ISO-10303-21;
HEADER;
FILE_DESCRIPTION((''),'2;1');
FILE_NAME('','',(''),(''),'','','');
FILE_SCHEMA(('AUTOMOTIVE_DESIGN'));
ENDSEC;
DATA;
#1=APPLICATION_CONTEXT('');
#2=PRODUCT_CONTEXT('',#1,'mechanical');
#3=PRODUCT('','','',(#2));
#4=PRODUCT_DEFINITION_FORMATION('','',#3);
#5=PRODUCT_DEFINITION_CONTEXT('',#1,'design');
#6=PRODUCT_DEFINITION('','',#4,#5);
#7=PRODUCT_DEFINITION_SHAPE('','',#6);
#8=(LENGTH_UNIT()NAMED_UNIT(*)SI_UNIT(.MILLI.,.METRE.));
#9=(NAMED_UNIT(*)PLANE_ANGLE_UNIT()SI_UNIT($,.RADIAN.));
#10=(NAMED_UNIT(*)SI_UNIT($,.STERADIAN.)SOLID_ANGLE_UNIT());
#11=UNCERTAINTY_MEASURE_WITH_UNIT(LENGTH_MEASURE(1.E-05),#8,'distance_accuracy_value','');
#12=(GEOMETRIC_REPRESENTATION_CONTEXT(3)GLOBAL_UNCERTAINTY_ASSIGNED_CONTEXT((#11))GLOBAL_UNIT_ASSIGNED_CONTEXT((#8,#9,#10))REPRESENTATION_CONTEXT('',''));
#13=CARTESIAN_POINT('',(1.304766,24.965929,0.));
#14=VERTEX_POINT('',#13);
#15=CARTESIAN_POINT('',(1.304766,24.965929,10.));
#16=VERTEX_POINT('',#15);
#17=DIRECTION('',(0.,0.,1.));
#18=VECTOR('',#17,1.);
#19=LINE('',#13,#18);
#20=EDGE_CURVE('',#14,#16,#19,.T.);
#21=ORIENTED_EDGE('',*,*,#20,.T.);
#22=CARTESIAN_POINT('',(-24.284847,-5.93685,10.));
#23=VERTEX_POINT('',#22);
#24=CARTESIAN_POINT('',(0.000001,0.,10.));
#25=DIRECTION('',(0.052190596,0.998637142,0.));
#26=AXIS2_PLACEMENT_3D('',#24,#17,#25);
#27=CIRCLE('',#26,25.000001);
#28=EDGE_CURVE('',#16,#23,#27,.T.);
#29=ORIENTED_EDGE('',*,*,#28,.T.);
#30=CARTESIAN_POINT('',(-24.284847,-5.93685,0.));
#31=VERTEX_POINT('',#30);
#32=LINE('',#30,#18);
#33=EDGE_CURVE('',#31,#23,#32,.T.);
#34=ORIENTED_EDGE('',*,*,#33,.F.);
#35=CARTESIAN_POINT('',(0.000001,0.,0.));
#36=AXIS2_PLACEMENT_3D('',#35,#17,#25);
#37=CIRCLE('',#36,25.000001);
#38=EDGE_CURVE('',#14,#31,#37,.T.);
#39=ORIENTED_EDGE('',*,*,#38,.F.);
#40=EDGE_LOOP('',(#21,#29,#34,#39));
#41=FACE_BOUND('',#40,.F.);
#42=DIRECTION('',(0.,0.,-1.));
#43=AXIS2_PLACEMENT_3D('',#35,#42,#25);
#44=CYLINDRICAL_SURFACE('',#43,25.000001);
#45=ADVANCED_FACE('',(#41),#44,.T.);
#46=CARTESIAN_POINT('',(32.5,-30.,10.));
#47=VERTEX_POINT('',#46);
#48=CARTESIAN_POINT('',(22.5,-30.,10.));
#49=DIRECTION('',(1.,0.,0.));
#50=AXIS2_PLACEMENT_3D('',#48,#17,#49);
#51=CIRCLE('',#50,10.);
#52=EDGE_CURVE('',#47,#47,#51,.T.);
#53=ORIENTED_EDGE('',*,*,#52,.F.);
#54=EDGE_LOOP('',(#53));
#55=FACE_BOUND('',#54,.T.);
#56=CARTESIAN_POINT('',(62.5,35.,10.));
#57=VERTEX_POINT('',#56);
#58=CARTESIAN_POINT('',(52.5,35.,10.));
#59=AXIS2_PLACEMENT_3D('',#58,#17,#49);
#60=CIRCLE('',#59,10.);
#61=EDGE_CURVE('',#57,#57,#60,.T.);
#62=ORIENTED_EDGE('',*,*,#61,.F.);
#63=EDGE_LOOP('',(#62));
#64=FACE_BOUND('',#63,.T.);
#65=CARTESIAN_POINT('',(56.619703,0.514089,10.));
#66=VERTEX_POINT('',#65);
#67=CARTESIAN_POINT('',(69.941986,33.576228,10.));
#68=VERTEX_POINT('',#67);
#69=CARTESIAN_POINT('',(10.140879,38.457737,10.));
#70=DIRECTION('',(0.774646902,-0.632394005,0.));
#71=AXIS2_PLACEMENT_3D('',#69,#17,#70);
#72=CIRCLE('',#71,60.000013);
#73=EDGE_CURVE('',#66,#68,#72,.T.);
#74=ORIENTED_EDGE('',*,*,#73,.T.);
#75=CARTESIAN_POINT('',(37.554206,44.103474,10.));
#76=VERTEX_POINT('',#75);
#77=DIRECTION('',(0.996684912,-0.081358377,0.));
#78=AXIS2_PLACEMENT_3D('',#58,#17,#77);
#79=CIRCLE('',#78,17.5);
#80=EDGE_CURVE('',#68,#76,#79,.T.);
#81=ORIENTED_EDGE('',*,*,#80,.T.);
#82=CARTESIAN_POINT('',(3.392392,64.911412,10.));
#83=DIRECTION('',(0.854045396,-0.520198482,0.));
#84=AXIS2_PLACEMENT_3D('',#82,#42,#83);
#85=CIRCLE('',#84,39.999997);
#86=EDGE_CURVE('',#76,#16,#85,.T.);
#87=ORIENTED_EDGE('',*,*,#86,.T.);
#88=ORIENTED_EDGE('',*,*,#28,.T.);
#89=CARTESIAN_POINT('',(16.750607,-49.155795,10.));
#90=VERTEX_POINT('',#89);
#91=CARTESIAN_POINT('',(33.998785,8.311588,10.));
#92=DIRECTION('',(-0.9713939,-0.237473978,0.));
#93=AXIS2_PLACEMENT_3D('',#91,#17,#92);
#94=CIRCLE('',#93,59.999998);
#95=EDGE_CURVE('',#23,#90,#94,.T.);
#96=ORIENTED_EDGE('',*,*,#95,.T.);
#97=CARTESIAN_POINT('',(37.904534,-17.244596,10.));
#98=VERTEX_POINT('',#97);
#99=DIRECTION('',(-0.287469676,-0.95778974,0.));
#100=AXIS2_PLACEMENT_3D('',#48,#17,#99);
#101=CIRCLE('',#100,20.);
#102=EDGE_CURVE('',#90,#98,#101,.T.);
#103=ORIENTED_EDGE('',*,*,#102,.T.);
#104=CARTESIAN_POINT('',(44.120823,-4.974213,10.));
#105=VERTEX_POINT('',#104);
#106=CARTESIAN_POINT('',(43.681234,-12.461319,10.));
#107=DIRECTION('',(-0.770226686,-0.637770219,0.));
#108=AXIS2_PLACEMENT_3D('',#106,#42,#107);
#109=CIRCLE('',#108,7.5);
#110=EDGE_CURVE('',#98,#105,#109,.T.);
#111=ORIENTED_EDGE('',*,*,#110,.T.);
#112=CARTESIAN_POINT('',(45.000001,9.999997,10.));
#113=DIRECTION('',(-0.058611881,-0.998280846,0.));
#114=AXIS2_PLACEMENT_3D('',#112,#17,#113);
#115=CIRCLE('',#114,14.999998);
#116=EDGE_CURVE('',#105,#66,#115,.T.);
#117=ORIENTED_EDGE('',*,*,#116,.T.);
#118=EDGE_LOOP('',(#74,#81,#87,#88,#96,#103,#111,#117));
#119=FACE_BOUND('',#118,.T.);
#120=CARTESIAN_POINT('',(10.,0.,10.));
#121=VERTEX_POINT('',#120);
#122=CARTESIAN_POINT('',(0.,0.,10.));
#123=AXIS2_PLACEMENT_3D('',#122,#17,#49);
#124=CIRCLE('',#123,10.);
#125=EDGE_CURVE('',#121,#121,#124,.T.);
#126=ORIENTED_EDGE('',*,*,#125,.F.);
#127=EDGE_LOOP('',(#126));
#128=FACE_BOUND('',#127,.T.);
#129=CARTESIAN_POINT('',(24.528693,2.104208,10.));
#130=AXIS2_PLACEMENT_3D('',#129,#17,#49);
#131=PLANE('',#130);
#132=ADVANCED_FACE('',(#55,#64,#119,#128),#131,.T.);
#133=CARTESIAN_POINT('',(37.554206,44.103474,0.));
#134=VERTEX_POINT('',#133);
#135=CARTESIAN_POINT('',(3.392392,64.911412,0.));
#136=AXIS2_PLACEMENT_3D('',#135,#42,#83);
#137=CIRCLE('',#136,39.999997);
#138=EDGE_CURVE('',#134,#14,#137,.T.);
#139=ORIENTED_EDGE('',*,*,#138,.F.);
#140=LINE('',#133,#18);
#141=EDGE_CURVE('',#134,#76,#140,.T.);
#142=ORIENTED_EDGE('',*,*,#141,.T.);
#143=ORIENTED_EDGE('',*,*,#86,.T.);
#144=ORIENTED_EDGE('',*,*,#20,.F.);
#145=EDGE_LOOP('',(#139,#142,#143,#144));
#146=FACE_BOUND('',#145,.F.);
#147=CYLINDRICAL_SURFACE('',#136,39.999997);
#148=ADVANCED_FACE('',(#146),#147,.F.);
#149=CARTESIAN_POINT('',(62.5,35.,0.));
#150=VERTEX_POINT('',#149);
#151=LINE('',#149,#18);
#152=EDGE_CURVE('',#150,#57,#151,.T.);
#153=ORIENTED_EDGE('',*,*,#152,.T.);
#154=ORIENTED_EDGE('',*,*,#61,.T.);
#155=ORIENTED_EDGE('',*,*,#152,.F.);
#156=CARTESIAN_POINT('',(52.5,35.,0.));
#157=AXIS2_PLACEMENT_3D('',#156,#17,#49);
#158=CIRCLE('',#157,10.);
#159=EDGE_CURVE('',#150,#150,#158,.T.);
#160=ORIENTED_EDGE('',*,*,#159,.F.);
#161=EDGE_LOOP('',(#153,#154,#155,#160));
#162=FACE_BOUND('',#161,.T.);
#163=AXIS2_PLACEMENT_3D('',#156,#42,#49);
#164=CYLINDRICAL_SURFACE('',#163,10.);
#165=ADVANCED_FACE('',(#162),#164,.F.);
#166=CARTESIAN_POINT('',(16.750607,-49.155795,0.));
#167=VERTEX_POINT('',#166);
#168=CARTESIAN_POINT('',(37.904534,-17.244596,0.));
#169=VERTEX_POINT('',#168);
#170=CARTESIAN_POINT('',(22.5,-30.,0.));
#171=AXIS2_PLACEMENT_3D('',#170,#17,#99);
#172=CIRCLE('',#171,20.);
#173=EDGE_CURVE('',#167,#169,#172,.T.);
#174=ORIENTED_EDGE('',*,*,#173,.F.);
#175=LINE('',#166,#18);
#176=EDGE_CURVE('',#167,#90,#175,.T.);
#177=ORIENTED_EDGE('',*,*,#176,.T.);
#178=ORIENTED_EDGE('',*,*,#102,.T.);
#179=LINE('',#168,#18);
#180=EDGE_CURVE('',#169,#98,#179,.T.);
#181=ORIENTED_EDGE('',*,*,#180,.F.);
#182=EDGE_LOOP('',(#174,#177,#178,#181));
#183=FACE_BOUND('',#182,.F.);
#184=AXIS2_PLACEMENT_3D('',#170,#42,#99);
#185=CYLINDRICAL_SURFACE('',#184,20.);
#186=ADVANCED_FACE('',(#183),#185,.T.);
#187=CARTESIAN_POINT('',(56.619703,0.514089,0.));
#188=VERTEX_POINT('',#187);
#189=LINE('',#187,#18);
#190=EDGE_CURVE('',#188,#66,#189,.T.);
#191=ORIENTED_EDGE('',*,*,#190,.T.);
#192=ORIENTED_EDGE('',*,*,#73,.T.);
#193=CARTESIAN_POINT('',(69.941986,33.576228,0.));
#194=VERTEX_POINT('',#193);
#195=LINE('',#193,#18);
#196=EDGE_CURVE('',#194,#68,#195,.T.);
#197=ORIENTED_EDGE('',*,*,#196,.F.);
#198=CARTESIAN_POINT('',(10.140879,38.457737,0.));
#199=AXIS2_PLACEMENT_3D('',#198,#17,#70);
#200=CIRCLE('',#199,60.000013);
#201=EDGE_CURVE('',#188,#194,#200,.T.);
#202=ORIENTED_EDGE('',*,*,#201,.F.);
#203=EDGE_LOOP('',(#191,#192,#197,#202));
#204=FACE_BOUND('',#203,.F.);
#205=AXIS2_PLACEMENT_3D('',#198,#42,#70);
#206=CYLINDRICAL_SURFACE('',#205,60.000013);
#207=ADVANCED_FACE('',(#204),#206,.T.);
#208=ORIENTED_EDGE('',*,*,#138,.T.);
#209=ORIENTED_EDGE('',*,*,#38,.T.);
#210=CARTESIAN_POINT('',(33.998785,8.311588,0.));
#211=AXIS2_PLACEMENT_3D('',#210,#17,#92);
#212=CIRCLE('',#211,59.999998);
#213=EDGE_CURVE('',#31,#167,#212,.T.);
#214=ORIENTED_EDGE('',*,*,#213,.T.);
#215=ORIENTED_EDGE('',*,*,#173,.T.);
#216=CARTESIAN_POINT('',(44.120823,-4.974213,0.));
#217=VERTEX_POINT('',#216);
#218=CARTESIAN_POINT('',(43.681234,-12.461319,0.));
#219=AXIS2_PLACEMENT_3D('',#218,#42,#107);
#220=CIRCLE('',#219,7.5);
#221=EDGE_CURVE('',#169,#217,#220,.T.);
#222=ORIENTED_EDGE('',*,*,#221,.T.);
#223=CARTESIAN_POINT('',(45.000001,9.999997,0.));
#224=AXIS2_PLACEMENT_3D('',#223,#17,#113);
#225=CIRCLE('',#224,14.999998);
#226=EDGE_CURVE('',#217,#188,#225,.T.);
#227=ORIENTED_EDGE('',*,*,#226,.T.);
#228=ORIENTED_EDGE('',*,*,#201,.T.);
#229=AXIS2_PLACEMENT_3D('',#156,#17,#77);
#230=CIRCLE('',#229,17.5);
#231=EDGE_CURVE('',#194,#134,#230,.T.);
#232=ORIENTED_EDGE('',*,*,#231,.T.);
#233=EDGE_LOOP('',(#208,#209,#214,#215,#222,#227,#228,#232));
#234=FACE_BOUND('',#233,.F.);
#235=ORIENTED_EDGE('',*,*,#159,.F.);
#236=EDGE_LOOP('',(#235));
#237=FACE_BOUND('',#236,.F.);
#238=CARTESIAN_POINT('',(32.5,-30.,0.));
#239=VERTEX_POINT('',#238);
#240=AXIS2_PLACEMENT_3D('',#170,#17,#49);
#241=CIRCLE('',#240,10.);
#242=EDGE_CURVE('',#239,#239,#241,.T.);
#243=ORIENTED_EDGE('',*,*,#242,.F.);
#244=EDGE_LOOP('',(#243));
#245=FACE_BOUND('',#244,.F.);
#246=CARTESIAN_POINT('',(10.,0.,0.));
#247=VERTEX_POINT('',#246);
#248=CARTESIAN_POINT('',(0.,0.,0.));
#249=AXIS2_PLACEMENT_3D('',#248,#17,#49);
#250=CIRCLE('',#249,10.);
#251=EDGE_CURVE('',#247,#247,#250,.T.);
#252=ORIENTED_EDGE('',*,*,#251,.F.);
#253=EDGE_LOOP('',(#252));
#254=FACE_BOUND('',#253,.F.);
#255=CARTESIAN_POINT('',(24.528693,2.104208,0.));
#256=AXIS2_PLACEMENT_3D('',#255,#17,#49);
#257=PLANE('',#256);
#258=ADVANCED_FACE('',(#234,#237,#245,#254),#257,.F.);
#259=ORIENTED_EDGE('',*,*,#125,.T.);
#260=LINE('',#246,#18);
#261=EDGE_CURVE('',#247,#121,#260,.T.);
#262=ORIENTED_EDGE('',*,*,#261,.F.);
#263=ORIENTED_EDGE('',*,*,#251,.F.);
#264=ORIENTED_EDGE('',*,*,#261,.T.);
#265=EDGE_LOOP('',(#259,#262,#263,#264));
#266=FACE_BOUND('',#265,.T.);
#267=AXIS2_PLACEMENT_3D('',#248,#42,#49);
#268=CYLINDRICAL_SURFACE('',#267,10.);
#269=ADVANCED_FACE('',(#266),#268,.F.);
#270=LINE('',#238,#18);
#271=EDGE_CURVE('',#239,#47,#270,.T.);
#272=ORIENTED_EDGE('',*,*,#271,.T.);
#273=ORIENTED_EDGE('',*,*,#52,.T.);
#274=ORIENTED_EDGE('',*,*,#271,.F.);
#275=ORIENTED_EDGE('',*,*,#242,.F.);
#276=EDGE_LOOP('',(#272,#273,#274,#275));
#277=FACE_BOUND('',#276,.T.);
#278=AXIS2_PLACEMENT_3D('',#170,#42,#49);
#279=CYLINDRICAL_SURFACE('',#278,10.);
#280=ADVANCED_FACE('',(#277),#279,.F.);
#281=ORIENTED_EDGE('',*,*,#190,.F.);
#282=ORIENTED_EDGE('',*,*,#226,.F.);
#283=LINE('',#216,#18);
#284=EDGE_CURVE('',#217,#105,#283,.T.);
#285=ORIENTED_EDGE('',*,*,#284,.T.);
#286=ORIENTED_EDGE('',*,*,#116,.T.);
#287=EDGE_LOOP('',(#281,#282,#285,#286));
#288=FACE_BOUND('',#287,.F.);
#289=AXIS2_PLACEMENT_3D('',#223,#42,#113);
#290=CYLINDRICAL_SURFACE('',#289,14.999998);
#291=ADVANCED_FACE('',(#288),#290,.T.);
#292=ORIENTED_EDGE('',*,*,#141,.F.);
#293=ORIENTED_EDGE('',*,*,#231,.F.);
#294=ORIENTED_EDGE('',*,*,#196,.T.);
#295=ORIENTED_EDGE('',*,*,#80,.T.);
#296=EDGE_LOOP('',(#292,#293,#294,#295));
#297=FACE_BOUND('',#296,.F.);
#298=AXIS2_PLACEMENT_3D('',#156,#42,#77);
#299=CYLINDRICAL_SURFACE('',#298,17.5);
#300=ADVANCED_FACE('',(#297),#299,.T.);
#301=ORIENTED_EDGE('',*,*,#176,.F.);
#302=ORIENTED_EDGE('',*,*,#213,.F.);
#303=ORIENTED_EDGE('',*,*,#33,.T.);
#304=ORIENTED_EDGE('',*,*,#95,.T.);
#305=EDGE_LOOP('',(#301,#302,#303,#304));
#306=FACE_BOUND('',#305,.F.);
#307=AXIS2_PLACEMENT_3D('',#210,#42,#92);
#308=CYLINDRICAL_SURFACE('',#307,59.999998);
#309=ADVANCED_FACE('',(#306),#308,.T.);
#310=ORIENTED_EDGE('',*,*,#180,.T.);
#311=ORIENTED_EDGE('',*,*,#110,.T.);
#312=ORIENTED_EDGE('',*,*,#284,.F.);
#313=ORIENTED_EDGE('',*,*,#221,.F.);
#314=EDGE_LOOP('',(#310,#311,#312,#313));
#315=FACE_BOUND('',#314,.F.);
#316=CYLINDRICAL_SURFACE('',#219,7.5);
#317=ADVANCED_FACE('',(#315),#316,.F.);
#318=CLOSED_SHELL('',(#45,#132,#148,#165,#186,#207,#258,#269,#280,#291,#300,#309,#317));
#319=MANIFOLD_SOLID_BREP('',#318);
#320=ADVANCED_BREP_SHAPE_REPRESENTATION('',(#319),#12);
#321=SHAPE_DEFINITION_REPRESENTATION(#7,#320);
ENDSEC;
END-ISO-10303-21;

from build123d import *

# Parameters (mm, degrees)
F0_R     = 10
F1_DEPTH = 10


with BuildPart() as f1:
    # F0 (on Top) → F1 (new body)
    with BuildSketch(Plane.XY):
        with BuildLine():
            ThreePointArc((69.941986, 33.576228), (57.909572, 51.642912), (37.554206, 44.103474))
            ThreePointArc((37.554206, 44.103474), (22.067235, 29.538399), (1.304766, 24.965929))
            ThreePointArc((1.304766, 24.965929), (-19.255297, 15.944702), (-24.284847, -5.93685))
            ThreePointArc((-24.284847, -5.93685), (-9.512511, -33.001447), (16.750607, -49.155795))
            ThreePointArc((16.750607, -49.155795), (39.169931, -41.050494), (37.904534, -17.244596))
            ThreePointArc((37.904534, -17.244596), (36.990811, -9.071889), (44.120823, -4.974213))
            ThreePointArc((44.120823, -4.974213), (51.030762, -3.734261), (56.619703, 0.514089))
            ThreePointArc((56.619703, 0.514089), (65.792763, 16.032989), (69.941986, 33.576228))
        make_face()
        Circle(F0_R, mode=Mode.SUBTRACT)
        with Locations((22.5, -30)):
            Circle(F0_R, mode=Mode.SUBTRACT)
        with Locations((52.5, 35)):
            Circle(F0_R, mode=Mode.SUBTRACT)
    extrude(amount=F1_DEPTH)


solid = f1.part
